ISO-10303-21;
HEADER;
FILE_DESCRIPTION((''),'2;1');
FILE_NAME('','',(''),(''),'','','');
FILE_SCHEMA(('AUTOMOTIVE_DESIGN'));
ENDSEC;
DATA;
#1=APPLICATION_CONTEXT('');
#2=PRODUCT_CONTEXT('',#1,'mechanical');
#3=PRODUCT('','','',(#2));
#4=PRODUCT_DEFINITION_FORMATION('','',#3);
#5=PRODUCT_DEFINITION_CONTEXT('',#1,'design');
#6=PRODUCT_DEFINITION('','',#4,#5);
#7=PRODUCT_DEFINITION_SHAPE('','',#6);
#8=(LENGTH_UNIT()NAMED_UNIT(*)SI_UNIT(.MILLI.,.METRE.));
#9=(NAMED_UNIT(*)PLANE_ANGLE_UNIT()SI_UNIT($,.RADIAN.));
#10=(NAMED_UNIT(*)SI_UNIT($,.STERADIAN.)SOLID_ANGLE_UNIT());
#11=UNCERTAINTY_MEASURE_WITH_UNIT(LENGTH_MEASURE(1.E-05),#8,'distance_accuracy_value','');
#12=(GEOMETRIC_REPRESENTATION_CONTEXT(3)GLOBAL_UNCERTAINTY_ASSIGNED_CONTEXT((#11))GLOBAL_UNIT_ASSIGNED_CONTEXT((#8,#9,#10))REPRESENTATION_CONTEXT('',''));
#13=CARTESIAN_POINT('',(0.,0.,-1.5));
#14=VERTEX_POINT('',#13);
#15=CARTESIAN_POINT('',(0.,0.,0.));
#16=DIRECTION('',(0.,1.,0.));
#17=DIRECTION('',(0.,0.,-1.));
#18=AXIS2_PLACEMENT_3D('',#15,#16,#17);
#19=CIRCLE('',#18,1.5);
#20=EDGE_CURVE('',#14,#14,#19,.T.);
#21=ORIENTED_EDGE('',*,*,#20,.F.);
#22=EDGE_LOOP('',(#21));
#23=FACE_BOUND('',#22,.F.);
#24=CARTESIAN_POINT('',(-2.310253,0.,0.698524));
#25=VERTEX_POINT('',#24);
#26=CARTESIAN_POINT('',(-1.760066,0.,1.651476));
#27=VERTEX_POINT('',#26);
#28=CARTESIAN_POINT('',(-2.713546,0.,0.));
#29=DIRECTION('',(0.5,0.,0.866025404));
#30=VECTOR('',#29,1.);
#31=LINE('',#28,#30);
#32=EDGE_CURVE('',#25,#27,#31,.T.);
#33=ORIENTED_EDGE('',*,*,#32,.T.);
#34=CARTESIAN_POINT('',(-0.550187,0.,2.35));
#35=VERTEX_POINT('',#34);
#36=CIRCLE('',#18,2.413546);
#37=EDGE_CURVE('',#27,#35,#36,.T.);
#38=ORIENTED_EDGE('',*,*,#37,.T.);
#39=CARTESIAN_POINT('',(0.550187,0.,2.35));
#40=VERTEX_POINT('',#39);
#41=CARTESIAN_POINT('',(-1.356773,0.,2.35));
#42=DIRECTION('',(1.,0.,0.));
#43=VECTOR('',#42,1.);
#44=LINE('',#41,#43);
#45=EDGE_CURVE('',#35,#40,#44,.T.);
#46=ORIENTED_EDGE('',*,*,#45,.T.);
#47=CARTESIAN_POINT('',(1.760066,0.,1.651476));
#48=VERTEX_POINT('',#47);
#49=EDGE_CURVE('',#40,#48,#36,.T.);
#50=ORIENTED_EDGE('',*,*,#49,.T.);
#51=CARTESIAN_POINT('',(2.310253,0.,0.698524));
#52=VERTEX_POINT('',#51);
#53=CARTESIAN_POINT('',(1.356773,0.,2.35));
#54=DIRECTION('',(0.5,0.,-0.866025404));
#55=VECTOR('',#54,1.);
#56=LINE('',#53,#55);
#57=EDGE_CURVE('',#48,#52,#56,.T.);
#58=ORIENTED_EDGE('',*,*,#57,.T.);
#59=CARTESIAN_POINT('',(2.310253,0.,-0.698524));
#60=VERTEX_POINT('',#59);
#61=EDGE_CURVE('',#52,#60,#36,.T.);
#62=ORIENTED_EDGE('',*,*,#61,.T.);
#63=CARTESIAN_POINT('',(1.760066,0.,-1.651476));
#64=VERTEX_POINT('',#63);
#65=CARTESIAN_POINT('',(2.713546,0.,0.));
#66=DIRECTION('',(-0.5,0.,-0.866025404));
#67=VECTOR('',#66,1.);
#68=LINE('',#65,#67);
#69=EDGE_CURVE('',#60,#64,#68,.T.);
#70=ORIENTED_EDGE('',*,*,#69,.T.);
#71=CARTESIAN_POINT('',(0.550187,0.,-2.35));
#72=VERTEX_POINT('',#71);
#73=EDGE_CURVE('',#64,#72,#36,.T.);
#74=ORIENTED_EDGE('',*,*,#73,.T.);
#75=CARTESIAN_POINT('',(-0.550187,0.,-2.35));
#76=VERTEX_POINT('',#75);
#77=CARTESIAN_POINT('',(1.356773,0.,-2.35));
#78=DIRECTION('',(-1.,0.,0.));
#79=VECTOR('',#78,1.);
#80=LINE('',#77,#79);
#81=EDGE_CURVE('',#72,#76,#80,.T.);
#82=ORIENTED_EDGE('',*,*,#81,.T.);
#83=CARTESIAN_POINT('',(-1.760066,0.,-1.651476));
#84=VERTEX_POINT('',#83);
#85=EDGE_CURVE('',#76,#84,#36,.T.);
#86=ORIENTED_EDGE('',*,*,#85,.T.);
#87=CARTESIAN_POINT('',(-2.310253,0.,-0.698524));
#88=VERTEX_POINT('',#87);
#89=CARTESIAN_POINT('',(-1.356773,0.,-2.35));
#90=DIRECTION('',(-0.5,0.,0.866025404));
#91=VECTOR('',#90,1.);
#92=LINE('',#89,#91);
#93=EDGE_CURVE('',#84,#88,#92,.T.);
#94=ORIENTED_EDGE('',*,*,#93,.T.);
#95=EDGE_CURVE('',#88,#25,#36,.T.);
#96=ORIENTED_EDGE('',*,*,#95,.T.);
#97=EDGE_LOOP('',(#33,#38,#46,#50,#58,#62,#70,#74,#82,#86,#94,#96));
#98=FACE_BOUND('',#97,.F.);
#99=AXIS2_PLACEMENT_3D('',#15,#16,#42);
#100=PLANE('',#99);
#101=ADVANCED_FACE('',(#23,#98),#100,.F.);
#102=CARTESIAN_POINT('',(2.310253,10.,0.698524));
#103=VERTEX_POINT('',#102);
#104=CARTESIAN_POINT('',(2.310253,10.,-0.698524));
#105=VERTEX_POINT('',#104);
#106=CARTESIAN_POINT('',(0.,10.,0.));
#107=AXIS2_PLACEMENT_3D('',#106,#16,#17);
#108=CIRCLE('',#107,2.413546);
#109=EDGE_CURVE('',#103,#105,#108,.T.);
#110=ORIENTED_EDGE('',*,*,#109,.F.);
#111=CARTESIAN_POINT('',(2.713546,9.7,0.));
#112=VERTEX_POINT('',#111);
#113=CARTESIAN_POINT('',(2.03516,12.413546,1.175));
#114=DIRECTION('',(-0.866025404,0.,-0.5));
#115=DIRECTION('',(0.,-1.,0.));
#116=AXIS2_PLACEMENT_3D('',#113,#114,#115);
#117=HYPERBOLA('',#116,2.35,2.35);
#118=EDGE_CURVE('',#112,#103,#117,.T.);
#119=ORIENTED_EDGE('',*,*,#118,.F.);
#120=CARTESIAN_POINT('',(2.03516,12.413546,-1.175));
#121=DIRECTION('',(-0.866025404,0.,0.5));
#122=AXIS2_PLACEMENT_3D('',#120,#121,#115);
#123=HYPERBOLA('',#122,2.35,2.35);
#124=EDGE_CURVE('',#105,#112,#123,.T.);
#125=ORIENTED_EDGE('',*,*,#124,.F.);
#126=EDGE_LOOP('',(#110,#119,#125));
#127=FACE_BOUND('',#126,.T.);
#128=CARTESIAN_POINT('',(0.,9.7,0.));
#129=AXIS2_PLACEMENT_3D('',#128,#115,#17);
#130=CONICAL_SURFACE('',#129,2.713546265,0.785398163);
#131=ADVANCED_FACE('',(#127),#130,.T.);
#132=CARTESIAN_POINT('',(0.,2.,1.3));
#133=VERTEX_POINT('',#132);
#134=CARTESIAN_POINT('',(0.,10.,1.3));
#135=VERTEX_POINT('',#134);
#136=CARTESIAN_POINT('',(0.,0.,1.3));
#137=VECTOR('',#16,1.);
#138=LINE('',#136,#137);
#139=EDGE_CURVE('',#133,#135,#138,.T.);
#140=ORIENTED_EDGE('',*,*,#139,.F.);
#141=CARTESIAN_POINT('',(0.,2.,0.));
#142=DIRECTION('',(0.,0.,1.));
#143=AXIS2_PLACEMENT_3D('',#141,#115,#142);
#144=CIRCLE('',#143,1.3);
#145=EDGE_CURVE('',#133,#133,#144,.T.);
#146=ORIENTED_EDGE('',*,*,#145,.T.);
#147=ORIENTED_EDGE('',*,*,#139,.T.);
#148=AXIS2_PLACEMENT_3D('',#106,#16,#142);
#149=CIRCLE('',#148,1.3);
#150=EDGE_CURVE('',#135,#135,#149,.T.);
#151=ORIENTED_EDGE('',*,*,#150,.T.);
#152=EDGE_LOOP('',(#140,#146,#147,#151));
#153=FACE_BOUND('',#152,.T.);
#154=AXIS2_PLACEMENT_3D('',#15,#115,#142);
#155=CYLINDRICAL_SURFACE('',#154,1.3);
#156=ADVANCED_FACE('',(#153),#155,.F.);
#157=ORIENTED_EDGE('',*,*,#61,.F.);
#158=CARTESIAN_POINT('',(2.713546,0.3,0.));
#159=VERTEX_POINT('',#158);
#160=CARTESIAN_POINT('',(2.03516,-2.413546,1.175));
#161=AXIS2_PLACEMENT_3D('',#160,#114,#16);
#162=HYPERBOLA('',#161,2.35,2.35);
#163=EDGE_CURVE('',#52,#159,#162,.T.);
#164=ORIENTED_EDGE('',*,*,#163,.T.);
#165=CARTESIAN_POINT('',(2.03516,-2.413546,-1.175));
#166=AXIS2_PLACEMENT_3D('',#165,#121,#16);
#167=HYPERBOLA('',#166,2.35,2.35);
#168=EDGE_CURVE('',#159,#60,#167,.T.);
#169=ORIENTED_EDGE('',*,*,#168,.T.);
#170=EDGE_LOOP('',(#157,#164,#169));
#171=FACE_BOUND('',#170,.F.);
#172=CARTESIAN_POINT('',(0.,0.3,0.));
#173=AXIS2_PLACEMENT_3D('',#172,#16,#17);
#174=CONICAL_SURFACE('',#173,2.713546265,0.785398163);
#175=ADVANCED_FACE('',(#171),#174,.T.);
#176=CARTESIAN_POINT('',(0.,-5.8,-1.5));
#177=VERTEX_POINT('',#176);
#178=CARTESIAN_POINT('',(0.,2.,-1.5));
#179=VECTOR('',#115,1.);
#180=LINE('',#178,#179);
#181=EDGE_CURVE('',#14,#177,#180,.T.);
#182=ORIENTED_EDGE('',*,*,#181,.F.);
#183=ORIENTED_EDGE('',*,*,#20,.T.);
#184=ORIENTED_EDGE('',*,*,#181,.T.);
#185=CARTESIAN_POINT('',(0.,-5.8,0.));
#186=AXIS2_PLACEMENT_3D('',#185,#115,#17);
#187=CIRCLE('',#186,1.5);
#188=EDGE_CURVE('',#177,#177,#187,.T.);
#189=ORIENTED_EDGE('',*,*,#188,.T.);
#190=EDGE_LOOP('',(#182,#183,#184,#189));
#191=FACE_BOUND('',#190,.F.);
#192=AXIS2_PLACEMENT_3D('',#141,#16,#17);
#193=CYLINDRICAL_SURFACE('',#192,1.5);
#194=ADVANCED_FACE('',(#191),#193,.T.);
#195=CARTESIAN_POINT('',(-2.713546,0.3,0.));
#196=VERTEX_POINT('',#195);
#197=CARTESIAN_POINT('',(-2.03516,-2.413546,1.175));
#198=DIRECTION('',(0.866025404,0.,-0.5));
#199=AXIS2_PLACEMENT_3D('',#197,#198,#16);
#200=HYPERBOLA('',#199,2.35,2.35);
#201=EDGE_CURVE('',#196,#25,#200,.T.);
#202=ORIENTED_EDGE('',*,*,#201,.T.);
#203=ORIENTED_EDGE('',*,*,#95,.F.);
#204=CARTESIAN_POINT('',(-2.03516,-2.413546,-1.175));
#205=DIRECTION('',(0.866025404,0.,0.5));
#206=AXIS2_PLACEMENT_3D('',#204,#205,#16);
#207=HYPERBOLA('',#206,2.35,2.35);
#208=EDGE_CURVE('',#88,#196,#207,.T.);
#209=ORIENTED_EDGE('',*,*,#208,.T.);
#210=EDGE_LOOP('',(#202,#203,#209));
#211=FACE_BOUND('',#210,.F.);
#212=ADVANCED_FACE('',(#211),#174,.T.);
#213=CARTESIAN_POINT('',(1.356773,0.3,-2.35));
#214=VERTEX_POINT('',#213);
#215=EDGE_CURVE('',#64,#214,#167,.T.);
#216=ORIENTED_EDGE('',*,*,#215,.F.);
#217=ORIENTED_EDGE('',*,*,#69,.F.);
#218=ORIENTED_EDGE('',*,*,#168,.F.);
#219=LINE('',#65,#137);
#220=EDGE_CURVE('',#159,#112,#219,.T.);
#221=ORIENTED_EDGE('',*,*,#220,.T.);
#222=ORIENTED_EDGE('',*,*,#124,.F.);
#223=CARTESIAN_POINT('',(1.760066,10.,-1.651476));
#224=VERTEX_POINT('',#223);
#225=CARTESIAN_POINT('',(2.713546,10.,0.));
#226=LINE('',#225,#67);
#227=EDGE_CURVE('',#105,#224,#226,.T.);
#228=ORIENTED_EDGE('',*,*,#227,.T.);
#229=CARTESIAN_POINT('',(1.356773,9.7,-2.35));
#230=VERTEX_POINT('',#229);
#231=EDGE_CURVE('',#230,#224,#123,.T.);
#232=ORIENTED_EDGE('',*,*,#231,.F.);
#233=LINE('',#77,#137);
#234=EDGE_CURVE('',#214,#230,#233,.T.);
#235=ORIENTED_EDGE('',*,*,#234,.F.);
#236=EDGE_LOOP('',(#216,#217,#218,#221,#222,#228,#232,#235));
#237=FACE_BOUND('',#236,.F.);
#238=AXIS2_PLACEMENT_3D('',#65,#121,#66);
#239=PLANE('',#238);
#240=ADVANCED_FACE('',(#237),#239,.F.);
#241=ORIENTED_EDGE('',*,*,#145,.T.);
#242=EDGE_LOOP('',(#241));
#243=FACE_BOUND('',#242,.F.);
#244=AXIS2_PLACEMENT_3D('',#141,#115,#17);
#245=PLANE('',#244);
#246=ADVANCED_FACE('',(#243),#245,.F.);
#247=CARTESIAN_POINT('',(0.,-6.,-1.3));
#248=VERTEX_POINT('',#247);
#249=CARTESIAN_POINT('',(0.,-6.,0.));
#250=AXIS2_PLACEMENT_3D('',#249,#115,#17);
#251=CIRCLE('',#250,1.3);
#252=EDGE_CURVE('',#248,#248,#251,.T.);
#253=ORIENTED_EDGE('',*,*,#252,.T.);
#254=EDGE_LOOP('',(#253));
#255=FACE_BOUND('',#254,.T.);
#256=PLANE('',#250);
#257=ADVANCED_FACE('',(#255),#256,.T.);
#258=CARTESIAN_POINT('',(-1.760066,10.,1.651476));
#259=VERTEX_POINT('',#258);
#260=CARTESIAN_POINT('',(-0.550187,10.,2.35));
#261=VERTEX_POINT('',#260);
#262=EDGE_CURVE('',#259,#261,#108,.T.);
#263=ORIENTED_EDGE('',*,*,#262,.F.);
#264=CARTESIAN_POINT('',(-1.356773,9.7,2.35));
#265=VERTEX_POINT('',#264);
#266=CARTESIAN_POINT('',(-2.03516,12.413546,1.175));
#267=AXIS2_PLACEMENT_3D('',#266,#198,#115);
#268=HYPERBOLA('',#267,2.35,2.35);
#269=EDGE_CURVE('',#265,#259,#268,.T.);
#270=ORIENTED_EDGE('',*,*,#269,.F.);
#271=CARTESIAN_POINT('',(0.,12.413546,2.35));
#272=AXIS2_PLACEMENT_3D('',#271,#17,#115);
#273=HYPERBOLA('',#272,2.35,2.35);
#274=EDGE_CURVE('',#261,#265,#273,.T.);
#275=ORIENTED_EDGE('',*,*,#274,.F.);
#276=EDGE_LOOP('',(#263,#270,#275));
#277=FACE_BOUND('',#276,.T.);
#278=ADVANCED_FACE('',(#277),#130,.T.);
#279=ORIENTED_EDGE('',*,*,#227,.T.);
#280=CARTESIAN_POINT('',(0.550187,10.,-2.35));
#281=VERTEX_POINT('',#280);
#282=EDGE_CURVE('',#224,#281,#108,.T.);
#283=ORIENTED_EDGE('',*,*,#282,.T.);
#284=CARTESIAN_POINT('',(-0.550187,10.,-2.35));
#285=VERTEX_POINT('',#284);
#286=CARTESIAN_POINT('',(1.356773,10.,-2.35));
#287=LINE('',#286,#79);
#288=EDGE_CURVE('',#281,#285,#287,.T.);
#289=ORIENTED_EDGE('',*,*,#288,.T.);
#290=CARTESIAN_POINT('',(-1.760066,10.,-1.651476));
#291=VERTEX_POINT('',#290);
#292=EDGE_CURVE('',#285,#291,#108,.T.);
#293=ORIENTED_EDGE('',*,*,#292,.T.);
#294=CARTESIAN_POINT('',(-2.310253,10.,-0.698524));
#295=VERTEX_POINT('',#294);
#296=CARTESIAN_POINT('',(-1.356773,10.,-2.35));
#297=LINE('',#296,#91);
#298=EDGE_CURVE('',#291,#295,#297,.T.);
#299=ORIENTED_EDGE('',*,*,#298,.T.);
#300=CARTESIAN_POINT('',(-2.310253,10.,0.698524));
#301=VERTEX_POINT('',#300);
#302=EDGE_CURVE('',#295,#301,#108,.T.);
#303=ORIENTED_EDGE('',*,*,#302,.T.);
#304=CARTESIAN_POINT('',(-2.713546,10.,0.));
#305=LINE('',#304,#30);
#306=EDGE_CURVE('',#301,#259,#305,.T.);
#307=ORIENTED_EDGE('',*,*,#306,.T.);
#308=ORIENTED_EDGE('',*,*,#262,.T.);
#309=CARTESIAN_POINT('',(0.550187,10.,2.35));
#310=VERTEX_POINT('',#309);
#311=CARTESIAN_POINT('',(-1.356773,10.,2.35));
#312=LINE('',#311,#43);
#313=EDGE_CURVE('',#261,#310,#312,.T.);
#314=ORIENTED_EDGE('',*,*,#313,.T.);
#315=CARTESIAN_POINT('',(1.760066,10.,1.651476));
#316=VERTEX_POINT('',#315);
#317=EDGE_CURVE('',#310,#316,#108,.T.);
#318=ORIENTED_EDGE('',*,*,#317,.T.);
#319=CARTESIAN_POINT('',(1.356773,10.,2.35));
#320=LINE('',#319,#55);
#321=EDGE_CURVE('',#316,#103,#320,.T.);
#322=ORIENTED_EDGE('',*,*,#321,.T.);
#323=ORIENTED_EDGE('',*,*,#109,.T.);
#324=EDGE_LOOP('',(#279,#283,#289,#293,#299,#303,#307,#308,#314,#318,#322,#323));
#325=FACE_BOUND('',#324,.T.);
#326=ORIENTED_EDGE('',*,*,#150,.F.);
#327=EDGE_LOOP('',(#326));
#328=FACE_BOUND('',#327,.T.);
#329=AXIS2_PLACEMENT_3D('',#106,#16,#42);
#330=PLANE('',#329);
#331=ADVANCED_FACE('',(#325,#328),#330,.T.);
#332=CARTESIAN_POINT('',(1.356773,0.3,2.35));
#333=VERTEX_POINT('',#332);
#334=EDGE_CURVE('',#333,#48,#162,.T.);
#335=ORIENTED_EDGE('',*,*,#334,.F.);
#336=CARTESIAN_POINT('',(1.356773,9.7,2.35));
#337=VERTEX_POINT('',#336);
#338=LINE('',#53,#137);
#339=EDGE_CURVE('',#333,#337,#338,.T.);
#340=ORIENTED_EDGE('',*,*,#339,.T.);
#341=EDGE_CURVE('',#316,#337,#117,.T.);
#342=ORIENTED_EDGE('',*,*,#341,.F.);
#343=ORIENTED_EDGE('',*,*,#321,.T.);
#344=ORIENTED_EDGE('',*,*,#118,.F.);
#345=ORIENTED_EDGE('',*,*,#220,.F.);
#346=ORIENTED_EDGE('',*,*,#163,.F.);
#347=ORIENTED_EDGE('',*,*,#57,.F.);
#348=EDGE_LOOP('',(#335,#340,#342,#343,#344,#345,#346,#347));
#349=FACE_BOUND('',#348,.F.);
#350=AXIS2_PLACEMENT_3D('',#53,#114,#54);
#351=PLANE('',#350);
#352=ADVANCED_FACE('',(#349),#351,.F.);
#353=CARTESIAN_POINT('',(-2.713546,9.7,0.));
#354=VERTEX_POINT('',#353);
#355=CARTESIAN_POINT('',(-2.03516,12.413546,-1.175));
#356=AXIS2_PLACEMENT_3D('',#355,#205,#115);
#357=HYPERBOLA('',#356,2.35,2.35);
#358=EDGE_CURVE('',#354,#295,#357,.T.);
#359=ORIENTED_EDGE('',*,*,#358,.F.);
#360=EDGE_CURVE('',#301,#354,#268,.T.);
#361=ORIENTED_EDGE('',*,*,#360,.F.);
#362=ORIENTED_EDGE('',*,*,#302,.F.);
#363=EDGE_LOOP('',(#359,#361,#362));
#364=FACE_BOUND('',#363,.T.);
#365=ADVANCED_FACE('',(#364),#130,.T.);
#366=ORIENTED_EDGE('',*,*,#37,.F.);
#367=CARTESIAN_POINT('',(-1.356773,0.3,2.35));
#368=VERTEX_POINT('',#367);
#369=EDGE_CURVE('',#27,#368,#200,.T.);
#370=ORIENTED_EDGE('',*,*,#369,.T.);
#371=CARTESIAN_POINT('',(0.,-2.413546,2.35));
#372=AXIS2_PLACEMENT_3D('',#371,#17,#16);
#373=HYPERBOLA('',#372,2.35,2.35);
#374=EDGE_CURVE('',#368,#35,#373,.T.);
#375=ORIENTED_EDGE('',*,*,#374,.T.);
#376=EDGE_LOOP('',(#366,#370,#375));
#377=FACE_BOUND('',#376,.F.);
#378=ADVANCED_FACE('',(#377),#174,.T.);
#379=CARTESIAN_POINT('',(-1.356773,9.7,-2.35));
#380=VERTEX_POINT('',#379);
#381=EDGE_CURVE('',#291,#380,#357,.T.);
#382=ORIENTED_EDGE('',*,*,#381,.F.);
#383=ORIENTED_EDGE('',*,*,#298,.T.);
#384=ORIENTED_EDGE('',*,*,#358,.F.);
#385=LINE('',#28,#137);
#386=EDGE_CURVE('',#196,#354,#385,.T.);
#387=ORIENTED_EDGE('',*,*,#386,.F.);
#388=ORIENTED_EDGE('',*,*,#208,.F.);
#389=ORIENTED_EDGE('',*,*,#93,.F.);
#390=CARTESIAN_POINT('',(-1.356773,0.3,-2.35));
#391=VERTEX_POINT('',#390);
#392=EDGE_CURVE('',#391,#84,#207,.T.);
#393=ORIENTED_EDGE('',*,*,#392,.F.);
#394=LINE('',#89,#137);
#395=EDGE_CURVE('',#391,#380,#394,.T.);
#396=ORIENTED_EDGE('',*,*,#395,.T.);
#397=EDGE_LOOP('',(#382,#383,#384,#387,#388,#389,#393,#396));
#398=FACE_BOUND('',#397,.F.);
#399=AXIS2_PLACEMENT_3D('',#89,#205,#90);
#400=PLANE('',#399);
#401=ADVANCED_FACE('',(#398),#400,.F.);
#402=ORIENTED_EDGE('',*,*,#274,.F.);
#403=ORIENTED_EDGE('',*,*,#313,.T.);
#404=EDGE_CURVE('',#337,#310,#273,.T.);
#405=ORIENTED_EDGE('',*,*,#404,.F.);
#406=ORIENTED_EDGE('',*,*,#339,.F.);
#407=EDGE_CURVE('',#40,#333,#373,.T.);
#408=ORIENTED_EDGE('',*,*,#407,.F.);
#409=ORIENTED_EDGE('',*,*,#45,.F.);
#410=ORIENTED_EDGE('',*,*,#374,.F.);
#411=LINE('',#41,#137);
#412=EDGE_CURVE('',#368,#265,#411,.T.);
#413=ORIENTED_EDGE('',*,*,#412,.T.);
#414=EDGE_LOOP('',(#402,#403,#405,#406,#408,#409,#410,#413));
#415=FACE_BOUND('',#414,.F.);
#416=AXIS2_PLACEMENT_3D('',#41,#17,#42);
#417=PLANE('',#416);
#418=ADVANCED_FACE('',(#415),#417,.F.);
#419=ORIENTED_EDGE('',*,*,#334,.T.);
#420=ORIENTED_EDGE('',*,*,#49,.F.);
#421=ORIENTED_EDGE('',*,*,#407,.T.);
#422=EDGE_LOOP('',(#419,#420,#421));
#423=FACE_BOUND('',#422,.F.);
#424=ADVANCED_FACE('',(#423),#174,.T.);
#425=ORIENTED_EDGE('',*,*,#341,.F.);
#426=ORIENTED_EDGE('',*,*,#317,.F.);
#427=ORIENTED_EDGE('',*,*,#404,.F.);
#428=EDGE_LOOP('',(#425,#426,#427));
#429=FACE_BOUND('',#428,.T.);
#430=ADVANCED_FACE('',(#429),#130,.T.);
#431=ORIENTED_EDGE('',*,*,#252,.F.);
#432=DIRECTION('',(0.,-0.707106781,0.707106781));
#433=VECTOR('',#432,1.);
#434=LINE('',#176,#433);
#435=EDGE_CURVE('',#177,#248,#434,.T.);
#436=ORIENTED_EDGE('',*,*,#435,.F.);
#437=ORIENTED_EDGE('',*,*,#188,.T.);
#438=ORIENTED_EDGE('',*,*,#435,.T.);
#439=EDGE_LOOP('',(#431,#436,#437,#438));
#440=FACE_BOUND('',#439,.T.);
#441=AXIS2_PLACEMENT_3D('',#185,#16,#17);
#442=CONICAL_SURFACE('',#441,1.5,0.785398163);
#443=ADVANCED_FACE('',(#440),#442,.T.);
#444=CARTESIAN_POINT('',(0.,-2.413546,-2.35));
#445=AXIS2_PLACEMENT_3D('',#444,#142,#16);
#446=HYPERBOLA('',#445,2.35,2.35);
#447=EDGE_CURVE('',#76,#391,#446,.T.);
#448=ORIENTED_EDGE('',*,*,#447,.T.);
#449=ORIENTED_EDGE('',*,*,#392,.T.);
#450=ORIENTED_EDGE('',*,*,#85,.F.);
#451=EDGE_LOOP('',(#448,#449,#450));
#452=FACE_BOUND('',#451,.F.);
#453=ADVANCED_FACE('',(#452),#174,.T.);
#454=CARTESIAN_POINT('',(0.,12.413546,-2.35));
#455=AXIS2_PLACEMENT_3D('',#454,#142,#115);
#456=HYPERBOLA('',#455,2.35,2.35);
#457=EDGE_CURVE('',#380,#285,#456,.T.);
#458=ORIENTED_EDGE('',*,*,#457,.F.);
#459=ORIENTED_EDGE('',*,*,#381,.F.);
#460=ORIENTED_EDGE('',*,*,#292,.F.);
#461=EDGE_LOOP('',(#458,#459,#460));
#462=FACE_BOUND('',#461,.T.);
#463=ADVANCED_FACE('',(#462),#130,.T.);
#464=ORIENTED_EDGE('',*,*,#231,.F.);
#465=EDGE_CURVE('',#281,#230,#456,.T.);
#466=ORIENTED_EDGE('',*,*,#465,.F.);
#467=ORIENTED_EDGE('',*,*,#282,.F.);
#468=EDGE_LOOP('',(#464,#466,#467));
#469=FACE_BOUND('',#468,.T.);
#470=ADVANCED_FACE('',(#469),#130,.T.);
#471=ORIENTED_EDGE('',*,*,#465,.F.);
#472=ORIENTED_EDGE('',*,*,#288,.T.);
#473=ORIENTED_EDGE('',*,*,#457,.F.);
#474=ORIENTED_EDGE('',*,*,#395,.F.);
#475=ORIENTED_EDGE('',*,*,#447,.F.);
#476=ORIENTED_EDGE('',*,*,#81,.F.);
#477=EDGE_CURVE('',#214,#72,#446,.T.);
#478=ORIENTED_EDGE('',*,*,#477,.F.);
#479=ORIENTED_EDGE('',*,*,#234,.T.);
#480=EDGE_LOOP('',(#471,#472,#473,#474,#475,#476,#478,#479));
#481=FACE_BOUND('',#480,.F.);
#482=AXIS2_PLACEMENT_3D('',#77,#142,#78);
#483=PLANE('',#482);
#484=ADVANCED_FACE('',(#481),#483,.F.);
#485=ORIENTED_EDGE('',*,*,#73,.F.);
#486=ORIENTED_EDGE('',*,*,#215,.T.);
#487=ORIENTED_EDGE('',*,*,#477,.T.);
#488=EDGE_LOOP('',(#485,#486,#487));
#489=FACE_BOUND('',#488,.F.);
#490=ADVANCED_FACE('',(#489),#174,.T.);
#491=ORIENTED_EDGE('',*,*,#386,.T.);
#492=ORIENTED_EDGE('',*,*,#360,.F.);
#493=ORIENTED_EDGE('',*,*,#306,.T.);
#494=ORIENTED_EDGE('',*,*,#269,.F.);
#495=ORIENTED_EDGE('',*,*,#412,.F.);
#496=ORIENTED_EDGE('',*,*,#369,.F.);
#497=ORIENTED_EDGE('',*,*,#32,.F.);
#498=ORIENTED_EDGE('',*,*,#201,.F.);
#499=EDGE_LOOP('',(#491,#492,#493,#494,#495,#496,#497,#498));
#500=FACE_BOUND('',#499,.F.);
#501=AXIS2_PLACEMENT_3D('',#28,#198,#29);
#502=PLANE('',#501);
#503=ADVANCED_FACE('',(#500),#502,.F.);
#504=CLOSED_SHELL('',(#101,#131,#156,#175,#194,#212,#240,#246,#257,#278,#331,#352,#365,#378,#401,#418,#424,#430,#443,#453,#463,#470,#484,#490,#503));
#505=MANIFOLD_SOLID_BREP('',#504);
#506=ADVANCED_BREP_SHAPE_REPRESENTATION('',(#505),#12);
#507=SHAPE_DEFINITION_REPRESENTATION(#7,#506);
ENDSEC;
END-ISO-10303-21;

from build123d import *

# Parameters (mm, degrees)
SKETCH1_R                = 1.3
BOSS_EXTRUDE1_DEPTH      = 10
BOSS_EXTRUDE2_DEPTH      = 6
BOSS_EXTRUDE2_DEPTH_BACK = 2
SKETCH2_R                = 1.5
CHAMFER1_SIZE            = 0.2


with BuildPart() as part:
    # Sketch1 → Boss-Extrude1 (new body)
    with BuildSketch(Plane(origin=(0, 0, 0), x_dir=(1, 0, 0), z_dir=(0, 1, 0))):
        Polygon((-2.713546265, 0), (-1.356773133, -2.35), (1.356773133, -2.35), (2.713546265, 0), (1.356773133, 2.35), (-1.356773133, 2.35), align=None)
        with Locations(Location((0, 0, 0), (0, 0, 270))):
            Circle(SKETCH1_R, mode=Mode.SUBTRACT)
    extrude(amount=BOSS_EXTRUDE1_DEPTH)

    # Sketch2 → Boss-Extrude2 (add, two sides: drawn at the far end of the back side and taken through both)
    with BuildSketch(Plane.XZ.offset(-BOSS_EXTRUDE2_DEPTH_BACK)):
        with Locations(Location((0, 0, 0), (0, 0, 270))):
            Circle(SKETCH2_R)
    extrude(amount=BOSS_EXTRUDE2_DEPTH + BOSS_EXTRUDE2_DEPTH_BACK)

    # Chamfer1
    chamfer1_edges = [part.edges().sort_by_distance(p)[0] for p in [
        (0, -6, 1.5),
    ]]
    chamfer(chamfer1_edges, length=CHAMFER1_SIZE)

    # Sketch6 → Cut-Revolve1 (revolve, cut)
    with BuildSketch(Plane.XY, mode=Mode.PRIVATE) as cut_revolve1_sk:
        Polygon((-2.713546265, 10), (-2.713546265, 9.7), (-2.413546265, 10), align=None)
        Polygon((-2.413546265, 0), (-2.713546265, 0), (-2.713546265, 0.3), align=None)
    revolve(cut_revolve1_sk.sketch.rotate(Axis((0, 0, 0), (0, 1, 0)), 270), axis=Axis((0, 0, 0), (0, 1, 0)), mode=Mode.SUBTRACT)


solid = part.part
